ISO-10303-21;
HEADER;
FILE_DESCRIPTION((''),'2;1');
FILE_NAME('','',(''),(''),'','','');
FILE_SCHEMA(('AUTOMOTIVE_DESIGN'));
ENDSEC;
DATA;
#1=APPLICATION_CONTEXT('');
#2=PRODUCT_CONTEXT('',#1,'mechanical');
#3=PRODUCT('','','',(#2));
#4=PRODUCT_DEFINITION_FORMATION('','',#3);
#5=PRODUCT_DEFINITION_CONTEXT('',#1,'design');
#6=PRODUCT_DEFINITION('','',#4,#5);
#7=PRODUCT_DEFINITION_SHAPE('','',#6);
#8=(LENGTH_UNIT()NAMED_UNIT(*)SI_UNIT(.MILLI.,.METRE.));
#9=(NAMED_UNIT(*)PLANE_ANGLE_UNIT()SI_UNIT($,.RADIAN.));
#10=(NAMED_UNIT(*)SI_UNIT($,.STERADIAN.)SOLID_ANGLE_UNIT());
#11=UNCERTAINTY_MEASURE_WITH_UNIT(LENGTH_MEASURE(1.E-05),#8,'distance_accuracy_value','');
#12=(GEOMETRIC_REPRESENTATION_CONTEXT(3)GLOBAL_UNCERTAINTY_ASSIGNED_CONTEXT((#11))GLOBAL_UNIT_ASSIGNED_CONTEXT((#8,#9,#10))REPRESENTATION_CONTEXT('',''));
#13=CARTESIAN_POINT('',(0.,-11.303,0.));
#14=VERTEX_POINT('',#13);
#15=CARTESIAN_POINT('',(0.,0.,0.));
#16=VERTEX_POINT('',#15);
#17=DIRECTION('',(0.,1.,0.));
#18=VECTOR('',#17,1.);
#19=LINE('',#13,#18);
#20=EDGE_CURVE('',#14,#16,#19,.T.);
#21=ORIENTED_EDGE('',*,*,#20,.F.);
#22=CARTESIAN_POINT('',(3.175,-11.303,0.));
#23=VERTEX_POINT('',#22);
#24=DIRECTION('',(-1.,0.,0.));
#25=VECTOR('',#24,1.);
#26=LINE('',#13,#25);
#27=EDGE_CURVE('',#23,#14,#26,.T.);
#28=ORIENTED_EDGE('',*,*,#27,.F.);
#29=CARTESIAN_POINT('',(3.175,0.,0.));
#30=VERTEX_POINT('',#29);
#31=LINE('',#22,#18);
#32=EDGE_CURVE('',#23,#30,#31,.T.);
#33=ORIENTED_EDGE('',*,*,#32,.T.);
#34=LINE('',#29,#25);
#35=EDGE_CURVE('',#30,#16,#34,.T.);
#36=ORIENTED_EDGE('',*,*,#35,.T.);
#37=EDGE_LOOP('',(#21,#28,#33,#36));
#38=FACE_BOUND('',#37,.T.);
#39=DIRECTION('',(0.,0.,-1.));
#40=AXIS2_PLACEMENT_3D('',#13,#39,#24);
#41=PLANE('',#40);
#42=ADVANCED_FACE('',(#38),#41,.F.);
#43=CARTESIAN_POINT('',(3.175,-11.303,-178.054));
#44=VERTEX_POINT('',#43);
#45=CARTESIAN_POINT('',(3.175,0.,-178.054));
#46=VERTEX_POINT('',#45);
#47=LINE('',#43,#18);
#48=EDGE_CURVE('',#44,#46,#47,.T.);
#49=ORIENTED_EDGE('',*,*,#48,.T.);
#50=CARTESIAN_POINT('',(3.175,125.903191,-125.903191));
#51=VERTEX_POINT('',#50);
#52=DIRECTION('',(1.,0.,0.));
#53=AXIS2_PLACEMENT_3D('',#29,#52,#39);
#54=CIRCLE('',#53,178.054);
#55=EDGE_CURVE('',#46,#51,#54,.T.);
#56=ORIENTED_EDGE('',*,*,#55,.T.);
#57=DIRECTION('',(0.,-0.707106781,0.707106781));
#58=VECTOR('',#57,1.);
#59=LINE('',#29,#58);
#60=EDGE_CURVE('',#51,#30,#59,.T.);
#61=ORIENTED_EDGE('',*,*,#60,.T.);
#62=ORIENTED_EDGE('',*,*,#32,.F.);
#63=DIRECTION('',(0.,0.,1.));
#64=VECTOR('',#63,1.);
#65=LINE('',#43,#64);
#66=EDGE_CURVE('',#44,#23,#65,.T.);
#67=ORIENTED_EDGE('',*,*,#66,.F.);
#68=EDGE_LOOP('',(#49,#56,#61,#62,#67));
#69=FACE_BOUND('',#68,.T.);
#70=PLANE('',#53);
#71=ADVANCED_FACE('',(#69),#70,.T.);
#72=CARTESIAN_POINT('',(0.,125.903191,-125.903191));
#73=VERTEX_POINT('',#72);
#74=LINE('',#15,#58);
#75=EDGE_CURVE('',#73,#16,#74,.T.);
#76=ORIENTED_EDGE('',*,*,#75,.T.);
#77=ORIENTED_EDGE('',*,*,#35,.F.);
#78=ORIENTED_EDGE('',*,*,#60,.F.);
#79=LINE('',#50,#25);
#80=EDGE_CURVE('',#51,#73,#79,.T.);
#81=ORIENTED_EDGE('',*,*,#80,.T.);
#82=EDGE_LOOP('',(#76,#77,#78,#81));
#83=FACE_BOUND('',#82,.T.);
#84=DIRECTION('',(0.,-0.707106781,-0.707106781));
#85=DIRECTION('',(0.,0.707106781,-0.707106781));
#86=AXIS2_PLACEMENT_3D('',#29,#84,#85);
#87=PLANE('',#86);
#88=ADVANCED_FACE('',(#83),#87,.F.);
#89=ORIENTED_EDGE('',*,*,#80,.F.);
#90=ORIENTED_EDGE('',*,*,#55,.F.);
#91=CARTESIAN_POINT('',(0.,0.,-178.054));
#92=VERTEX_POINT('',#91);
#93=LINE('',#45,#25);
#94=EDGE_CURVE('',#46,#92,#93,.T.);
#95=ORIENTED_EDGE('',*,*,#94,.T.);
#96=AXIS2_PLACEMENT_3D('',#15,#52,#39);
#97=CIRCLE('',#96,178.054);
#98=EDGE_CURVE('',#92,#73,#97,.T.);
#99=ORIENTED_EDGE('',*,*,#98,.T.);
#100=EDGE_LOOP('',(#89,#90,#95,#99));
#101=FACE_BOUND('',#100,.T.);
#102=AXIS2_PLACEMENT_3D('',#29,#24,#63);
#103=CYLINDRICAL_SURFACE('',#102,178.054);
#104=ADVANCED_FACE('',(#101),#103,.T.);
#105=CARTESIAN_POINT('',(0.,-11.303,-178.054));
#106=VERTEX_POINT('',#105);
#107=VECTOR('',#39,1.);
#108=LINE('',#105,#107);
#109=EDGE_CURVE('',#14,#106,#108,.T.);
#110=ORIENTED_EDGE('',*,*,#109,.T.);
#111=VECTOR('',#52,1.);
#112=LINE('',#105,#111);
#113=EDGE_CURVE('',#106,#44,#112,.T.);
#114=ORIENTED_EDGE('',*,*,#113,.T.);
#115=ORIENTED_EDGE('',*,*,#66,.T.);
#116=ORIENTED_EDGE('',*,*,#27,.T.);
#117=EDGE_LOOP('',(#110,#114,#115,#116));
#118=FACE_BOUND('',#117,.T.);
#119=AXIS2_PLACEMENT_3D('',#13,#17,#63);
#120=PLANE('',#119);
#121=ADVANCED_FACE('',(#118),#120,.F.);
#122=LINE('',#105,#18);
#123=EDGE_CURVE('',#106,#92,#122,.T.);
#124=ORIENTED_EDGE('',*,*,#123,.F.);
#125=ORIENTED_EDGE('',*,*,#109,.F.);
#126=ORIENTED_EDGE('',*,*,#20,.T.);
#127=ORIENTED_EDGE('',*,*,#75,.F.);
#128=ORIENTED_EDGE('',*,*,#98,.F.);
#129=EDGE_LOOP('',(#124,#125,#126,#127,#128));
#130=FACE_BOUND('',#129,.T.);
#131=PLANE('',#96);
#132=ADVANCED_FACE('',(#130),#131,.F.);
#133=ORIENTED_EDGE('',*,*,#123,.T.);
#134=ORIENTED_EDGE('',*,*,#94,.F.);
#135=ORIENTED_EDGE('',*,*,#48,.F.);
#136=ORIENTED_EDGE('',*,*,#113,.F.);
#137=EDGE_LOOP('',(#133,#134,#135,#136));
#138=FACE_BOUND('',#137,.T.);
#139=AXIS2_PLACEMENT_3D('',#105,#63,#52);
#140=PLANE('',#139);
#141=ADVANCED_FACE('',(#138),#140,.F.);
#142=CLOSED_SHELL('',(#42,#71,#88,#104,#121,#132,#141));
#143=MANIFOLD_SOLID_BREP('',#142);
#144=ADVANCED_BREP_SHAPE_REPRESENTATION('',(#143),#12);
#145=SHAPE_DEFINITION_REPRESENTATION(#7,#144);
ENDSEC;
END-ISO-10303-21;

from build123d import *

# Parameters (mm, degrees)
BOSS_EXTRUDE1_DEPTH = 3.175
SKETCH2_W           = 3.175
SKETCH2_H           = 178.054
BOSS_EXTRUDE2_DEPTH = 11.303


with BuildPart() as part:
    # Sketch1 → Boss-Extrude1 (new body)
    with BuildSketch(Plane(origin=(0, 0, 0), x_dir=(0, 0, -1), z_dir=(1, 0, 0))):
        with BuildLine():
            Line((0, 0), (178.054, 0))
            ThreePointArc((178.054, 0), (164.500446282, 68.138315866), (125.903190817, 125.903190817))
            Line((125.903190817, 125.903190817), (0, 0))
        make_face()
    extrude(amount=BOSS_EXTRUDE1_DEPTH)

    # Sketch2 → Boss-Extrude2 (add)
    with BuildSketch(Plane.XZ):
        with Locations((1.5875, -89.027)):
            Rectangle(SKETCH2_W, SKETCH2_H)
    extrude(amount=BOSS_EXTRUDE2_DEPTH)


solid = part.part
